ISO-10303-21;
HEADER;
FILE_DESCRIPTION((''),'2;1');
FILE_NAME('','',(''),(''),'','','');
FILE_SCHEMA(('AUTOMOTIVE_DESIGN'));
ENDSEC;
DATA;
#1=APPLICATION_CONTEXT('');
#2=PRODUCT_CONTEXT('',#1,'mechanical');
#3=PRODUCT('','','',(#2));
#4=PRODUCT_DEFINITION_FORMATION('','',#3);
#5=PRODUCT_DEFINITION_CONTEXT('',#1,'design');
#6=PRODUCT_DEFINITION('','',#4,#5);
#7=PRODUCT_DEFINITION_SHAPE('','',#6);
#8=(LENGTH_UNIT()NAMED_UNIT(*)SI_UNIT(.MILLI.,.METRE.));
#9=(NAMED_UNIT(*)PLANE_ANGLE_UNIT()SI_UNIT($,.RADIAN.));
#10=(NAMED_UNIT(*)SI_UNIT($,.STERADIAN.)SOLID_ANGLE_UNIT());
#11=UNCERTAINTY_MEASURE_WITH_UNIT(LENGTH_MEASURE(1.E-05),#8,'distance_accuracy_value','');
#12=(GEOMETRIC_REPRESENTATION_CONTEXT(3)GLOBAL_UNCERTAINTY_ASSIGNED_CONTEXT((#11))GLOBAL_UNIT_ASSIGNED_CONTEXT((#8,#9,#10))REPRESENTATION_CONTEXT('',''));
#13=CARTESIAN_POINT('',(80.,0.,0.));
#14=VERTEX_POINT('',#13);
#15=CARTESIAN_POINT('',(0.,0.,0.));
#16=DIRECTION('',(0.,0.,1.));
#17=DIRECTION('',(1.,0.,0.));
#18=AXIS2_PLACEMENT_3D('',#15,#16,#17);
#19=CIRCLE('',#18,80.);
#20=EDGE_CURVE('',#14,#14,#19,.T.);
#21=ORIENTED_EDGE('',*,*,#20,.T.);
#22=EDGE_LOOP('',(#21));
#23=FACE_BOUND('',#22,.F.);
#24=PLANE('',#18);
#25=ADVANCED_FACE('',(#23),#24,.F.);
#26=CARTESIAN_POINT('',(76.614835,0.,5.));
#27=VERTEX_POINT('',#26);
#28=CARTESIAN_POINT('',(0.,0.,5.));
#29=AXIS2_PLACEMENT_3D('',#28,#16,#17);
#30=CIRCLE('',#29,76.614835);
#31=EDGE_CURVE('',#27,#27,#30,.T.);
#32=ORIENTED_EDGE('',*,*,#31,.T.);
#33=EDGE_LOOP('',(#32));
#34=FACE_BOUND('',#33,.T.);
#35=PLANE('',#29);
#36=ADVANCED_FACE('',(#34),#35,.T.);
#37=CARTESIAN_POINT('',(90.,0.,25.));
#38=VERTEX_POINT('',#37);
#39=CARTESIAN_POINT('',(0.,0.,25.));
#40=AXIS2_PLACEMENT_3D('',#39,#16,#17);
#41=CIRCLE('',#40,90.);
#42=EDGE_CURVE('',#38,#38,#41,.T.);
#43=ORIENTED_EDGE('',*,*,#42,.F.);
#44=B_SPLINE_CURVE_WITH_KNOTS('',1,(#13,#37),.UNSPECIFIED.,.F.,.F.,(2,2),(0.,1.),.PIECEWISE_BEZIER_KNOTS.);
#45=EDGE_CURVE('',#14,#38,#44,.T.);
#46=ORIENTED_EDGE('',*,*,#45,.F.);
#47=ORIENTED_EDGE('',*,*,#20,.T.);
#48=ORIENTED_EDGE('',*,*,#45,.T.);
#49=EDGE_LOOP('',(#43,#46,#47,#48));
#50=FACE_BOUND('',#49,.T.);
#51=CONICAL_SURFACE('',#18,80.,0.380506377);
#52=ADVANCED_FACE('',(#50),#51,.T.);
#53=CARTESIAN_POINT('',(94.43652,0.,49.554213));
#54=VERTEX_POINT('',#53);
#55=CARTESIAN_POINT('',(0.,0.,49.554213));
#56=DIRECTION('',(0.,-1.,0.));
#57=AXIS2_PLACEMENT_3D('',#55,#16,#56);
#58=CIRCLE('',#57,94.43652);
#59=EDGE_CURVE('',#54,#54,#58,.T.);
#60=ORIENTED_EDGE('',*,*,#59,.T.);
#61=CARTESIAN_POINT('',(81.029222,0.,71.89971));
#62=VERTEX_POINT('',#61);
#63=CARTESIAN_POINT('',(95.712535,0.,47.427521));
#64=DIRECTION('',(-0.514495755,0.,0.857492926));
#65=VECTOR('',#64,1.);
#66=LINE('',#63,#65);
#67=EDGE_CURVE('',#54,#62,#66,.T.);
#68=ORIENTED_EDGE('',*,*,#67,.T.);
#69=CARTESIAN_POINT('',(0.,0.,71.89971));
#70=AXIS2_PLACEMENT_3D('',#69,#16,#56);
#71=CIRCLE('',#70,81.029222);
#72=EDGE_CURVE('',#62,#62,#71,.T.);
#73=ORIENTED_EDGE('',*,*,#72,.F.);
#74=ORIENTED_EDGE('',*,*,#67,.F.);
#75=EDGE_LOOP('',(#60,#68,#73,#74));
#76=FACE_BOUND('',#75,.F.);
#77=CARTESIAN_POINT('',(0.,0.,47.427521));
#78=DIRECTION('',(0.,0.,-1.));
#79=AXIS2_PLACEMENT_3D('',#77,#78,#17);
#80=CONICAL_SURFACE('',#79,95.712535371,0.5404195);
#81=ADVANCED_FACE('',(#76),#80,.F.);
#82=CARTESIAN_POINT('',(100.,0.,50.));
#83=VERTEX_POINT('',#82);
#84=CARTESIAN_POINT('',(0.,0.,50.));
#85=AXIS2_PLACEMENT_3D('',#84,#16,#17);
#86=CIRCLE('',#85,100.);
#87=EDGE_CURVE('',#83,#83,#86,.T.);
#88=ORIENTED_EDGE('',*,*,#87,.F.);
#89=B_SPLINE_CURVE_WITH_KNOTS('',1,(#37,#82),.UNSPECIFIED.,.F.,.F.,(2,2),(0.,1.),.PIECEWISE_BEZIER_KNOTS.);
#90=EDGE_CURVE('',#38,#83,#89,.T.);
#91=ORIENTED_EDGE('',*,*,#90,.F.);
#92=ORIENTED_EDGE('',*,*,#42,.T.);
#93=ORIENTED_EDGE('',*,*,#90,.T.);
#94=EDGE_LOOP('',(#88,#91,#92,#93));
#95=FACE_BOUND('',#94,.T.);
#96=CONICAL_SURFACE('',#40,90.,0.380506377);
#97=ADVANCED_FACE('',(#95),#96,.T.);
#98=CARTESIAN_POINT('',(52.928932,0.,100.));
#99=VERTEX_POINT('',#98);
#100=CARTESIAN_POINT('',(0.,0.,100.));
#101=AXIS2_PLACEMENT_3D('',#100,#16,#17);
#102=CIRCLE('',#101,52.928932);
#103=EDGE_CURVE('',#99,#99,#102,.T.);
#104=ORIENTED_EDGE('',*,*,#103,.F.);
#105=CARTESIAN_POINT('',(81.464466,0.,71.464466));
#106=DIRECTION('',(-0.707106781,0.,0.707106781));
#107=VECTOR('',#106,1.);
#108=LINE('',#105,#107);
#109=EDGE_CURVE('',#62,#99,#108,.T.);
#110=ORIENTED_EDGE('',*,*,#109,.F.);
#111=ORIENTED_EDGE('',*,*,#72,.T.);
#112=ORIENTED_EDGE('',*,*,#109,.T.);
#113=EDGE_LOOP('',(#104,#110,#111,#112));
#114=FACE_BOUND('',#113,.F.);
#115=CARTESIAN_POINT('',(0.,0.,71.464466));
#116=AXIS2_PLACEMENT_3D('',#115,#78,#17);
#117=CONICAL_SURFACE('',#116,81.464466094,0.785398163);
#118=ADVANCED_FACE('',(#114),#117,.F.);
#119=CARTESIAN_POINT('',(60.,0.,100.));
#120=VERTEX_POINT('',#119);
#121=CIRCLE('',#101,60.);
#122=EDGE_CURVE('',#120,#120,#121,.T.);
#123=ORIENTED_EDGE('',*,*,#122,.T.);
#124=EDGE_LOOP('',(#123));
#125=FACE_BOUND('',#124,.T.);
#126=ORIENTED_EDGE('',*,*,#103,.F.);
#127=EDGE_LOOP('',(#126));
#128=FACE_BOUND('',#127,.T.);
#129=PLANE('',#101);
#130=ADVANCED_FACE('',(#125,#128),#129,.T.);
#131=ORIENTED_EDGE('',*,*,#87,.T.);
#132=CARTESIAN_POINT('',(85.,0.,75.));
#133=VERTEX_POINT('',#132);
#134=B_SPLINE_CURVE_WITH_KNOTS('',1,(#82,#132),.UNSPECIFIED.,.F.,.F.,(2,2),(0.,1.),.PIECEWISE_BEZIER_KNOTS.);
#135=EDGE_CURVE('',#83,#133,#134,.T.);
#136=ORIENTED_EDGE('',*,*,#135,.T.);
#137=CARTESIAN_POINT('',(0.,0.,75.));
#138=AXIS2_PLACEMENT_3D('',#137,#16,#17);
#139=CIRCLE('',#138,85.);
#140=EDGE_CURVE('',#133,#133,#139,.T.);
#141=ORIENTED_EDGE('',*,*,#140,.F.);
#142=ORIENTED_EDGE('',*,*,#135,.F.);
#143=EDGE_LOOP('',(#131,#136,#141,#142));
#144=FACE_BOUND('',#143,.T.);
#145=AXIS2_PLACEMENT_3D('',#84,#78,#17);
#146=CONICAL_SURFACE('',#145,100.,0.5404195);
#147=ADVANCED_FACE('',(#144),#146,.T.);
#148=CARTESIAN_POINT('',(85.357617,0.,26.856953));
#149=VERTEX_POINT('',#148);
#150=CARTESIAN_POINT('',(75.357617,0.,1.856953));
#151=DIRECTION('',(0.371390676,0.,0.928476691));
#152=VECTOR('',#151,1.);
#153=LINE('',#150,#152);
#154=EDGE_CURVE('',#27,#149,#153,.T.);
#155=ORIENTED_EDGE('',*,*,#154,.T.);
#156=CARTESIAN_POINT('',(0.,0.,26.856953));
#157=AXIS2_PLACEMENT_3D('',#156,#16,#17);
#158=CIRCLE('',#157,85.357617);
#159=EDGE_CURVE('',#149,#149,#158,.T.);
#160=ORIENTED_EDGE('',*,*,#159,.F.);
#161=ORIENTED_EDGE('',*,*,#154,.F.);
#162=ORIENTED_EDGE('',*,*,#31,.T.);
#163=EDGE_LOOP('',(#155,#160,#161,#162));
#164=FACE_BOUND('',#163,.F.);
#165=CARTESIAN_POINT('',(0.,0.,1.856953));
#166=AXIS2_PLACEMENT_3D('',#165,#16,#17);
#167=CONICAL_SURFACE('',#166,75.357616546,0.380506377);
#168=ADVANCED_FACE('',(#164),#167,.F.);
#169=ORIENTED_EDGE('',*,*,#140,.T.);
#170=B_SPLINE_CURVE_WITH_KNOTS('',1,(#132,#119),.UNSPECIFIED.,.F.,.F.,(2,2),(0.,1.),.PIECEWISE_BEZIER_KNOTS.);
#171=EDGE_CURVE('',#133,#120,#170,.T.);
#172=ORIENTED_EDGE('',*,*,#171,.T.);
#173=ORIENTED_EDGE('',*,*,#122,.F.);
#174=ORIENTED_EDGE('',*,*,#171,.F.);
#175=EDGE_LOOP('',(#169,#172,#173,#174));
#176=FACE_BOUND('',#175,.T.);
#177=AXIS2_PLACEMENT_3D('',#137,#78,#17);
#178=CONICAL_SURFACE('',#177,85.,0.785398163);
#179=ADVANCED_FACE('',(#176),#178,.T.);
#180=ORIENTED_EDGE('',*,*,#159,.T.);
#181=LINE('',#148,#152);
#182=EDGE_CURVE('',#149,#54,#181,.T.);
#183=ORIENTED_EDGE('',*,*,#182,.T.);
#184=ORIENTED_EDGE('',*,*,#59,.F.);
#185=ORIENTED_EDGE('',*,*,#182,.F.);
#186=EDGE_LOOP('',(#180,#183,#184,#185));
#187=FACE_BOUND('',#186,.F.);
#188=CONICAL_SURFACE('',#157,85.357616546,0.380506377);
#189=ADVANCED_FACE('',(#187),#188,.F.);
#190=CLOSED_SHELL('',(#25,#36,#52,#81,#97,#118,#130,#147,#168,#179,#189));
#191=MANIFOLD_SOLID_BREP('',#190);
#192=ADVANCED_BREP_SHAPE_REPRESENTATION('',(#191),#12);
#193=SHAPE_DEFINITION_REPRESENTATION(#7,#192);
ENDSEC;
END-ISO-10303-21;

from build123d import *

# Parameters (mm, degrees)
F0_R      = 80
F2_R      = 90
F3_FACE_R = 90
F5_R      = 100
F6_FACE_R = 100
F8_R      = 85
F9_FACE_R = 85
F11_R     = 60
F13_T     = -5


with BuildPart() as f3:
    # F0 (on Top) → F3 section 0
    with BuildSketch(Plane.XY):
        Circle(F0_R)
    # F2 (on offset) → F3 section 1
    with BuildSketch(Plane.XY.offset(25)):
        Circle(F2_R)
    loft()

    # F3_face (on face) → F6 section 0
    with BuildSketch(Plane.XY.offset(25)):
        Circle(F3_FACE_R)
    # F5 (on offset) → F6 section 1
    with BuildSketch(Plane.XY.offset(50)):
        Circle(F5_R)
    loft()

    # F6_face (on face) → F9 section 0
    with BuildSketch(Plane.XY.offset(50)):
        Circle(F6_FACE_R)
    # F8 (on offset) → F9 section 1
    with BuildSketch(Plane.XY.offset(75)):
        Circle(F8_R)
    loft()

    # F9_face (on face) → F12 section 0
    with BuildSketch(Plane.XY.offset(75)):
        Circle(F9_FACE_R)
    # F11 (on offset) → F12 section 1
    with BuildSketch(Plane.XY.offset(100)):
        Circle(F11_R)
    loft()

    # F13
    f13_openings = [f3.faces().sort_by_distance(p)[0] for p in [
        (0, 0, 100),
    ]]
    offset(amount=F13_T, openings=f13_openings, kind=Kind.INTERSECTION)


solid = f3.part
